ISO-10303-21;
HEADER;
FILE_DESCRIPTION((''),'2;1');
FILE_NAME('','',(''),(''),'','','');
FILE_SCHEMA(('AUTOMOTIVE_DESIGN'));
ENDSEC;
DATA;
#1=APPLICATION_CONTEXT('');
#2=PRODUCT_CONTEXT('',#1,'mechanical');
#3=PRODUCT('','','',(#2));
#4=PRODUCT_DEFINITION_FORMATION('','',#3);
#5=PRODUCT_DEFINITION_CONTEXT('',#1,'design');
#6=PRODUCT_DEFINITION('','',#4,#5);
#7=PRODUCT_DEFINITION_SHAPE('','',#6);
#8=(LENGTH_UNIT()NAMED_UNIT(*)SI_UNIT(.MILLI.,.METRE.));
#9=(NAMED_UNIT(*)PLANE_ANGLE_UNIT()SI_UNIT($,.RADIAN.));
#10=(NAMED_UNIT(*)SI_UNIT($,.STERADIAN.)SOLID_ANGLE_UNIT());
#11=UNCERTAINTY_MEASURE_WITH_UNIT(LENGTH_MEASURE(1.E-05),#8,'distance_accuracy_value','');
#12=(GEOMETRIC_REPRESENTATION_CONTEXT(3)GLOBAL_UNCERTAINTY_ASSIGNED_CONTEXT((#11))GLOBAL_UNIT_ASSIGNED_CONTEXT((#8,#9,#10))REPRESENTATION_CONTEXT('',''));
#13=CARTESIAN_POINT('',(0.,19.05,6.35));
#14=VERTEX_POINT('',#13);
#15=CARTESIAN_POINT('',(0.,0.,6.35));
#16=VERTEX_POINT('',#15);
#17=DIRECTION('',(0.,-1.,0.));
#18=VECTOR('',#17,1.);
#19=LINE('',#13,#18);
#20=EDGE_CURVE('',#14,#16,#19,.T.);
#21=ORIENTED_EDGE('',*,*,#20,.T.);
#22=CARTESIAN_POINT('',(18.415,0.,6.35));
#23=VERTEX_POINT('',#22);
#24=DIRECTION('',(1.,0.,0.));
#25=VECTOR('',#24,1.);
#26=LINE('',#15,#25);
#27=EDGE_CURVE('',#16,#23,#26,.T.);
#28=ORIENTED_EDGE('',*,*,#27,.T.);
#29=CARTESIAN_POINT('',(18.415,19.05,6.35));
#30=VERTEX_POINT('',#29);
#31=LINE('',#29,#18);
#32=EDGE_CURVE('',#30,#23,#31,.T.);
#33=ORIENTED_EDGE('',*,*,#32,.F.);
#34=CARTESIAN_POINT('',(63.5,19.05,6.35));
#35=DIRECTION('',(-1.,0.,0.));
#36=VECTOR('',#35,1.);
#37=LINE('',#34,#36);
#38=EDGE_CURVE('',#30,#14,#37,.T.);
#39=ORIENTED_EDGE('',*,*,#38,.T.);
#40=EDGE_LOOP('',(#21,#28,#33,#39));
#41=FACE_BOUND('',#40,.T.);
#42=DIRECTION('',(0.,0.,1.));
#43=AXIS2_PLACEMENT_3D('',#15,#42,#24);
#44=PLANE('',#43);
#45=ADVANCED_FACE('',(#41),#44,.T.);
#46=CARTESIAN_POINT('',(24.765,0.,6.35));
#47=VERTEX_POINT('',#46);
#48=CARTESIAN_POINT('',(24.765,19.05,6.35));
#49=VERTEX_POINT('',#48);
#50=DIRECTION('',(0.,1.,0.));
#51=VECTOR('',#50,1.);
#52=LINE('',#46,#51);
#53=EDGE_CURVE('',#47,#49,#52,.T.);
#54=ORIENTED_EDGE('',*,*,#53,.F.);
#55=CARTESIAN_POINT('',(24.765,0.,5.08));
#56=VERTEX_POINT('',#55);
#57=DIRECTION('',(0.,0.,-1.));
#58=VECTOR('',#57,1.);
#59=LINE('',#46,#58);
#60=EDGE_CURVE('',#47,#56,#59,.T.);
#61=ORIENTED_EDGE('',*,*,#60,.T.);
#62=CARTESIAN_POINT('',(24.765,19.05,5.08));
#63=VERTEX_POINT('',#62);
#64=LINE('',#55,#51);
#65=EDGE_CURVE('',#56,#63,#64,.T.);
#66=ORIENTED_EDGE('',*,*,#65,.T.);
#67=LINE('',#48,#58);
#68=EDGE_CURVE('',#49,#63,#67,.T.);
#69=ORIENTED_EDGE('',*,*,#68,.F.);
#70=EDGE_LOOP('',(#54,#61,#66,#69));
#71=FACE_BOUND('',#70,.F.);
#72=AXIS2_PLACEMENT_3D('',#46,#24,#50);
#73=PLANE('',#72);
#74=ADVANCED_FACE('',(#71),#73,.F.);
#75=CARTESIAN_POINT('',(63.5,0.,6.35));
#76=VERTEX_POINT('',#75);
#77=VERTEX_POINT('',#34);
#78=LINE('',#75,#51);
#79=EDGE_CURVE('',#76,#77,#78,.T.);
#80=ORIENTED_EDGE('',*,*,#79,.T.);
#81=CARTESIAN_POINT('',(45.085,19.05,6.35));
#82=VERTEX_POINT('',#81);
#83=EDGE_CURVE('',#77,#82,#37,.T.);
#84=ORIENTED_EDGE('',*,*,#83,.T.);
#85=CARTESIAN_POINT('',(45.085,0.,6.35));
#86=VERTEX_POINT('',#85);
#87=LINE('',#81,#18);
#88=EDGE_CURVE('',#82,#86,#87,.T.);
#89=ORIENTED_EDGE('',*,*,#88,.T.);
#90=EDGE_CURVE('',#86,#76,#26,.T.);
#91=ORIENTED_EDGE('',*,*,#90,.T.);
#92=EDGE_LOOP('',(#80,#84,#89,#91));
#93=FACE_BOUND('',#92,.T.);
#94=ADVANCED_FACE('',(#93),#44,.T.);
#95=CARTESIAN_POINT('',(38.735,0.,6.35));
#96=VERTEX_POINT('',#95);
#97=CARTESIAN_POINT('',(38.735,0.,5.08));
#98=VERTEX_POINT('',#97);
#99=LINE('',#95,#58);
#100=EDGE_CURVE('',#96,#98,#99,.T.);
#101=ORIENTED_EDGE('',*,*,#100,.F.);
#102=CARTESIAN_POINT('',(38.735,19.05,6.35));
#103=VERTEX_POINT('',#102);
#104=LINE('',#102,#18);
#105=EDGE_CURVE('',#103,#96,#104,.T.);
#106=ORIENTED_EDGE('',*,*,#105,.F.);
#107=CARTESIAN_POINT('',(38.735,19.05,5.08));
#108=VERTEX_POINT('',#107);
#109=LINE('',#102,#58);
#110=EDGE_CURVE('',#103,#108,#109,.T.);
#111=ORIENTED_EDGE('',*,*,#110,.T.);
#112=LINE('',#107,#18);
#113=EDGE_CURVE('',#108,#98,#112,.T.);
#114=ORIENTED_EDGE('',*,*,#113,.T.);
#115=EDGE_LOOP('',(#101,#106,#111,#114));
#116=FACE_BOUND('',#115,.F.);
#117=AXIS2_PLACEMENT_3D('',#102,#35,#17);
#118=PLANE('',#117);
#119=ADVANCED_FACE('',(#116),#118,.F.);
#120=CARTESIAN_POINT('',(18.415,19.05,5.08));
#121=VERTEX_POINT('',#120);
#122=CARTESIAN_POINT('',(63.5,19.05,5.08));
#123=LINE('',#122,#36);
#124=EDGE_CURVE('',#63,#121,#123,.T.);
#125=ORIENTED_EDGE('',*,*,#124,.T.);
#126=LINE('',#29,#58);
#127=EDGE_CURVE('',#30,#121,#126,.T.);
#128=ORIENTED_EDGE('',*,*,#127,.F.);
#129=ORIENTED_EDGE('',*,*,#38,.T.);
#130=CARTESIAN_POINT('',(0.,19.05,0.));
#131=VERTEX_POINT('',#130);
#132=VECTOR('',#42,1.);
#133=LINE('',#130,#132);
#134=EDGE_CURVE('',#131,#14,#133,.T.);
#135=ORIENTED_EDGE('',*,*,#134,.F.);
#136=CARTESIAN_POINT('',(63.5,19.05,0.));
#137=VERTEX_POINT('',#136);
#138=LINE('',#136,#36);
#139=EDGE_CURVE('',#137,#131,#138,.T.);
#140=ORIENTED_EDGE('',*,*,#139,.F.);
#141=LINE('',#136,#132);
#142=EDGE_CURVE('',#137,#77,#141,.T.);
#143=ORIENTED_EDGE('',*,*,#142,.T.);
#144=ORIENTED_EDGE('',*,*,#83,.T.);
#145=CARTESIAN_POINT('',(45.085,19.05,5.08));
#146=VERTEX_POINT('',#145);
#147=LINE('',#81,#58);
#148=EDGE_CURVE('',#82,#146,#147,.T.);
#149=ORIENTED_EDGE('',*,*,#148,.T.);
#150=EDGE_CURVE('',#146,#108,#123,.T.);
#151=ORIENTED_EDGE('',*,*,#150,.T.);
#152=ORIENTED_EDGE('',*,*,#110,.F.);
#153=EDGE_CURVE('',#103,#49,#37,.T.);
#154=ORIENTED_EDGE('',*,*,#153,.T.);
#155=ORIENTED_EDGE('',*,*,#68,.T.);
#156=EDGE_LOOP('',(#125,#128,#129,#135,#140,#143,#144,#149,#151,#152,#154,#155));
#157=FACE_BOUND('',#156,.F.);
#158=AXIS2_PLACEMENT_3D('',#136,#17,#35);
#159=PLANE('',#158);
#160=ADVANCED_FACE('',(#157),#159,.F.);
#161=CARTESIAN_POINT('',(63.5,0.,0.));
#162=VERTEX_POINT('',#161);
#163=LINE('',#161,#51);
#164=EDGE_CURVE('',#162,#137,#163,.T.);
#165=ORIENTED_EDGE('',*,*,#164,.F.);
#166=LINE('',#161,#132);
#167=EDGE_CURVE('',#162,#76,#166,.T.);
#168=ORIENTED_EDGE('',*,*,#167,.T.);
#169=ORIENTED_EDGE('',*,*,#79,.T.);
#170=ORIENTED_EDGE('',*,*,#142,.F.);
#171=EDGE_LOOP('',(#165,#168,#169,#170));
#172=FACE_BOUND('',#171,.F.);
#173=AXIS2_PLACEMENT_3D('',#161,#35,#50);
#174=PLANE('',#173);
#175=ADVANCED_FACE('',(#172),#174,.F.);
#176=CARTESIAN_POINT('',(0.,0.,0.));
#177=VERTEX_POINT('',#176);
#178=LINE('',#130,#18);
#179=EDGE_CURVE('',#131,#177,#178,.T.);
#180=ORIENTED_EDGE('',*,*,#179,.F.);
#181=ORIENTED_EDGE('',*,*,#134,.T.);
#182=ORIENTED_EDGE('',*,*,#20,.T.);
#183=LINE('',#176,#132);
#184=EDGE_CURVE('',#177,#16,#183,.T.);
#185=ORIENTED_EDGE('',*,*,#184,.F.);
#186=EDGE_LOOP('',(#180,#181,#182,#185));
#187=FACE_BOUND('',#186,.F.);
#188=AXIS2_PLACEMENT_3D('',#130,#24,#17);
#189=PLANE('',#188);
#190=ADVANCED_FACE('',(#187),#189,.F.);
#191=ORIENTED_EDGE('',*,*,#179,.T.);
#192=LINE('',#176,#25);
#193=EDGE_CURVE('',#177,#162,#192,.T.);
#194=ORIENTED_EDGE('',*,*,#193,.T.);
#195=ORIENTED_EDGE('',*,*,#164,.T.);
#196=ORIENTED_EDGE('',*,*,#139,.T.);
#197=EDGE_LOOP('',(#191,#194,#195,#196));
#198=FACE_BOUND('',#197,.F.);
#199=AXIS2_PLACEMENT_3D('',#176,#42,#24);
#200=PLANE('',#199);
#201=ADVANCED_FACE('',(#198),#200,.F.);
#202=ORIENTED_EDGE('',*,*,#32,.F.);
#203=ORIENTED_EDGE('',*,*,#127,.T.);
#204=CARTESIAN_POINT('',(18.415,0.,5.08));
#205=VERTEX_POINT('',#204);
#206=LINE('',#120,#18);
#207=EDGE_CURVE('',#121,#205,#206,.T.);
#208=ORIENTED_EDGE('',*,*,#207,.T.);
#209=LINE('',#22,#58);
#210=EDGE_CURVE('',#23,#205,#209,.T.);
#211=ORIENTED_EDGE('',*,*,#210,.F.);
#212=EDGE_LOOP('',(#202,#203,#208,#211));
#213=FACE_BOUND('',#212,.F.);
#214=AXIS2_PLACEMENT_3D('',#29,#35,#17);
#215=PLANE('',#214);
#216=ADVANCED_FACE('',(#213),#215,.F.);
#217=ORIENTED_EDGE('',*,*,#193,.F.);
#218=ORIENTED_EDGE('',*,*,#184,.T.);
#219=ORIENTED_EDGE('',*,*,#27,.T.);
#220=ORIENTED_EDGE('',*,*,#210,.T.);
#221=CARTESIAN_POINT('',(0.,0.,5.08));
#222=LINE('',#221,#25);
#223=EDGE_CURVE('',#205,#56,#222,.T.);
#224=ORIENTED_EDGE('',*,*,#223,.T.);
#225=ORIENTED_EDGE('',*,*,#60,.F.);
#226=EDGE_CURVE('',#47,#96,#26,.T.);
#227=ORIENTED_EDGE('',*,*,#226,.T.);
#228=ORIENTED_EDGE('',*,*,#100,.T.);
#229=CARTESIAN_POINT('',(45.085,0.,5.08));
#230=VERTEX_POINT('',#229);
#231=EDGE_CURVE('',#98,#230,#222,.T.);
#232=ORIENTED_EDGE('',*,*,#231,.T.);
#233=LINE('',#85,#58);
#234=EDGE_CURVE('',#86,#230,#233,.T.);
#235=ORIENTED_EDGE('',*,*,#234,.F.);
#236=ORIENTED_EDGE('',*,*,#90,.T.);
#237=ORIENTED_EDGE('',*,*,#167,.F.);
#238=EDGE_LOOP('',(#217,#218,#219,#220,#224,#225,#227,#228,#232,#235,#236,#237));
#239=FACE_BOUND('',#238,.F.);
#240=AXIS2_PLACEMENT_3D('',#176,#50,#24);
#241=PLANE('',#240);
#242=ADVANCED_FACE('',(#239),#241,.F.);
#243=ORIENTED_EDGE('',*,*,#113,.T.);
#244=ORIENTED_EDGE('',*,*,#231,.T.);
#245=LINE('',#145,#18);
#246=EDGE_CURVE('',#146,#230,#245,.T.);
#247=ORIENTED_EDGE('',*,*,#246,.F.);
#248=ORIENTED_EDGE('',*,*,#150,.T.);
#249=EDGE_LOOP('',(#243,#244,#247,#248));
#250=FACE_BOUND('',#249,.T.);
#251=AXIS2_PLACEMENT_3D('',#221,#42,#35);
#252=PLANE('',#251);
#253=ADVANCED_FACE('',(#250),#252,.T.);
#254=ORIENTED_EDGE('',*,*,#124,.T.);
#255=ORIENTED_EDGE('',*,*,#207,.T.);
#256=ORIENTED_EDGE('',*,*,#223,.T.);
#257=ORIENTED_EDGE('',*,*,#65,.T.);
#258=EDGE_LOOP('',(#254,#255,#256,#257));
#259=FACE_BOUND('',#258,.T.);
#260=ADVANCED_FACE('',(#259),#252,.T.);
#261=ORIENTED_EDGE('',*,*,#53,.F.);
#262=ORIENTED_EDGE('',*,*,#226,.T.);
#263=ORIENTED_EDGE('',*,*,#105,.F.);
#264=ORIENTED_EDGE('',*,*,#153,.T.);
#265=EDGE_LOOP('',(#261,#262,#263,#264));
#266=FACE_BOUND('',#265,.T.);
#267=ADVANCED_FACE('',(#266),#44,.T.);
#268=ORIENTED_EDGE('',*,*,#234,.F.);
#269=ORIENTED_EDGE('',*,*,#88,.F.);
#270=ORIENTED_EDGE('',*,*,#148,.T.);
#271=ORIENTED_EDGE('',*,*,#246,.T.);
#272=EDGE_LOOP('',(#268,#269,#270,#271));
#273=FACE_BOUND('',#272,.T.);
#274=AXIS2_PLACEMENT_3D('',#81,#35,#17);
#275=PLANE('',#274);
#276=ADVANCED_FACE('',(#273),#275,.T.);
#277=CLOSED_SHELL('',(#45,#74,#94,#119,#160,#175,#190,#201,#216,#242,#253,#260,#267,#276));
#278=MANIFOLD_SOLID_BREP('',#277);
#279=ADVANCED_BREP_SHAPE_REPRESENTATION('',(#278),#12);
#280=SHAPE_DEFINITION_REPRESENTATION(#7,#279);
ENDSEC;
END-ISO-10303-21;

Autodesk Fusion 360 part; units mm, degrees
sketch "Sketch1" plane through (0, 0, 0) normal (0, 0, 1) x (1, 0, 0)
  line L0 (0, 0) -> (63.5, 0)
  line L1 (63.5, 0) -> (63.5, 19.05)
  line L2 (63.5, 19.05) -> (0, 19.05)
  line L3 (0, 19.05) -> (0, 0)
  dimension "d1" = 63.5
  dimension "d2" = 19.05
extrude "Extrude1" add sketch "Sketch1" along normal blind 6.35
sketch "Sketch2" plane through (0, 0, 6.35) normal (0, 0, 1) x (-1, 0, 0)
  line L0 (0, -19.05) -> (0, 0)
  line L1 (0, 0) -> (-63.5, 0)
  line L2 (-63.5, 0) -> (-63.5, -19.05)
  line L3 (-63.5, -19.05) -> (0, -19.05)
  line L4 (0, 0) -> (0, -9.525)
  line L5 (0, -19.05) -> (-9.2075, -19.05)
  circle A0 centre (-9.2075, -9.4653) radius 4.0005
  line L6 (0, -19.05) -> (-18.415, -19.05)
  line L7 (-1.154, -19.05) -> (-2.7137, -19.7589)
  line L8 (0, -19.05) -> (-24.765, -19.05)
  line L9 (-24.765, -19.05) -> (-18.415, -19.05)
  line L10 (-18.415, -19.05) -> (-18.415, 0)
  line L11 (-18.415, 0) -> (-24.765, 0)
  line L12 (-24.765, 0) -> (-24.765, -19.05)
  line L13 (-24.765, -19.05) -> (-38.735, -19.05)
  line L14 (-63.5, -19.05) -> (-54.2925, -19.05)
  line L15 (-63.5, -19.05) -> (-45.085, -19.05)
  line L16 (-63.5, 0) -> (-63.5, -9.525)
  circle A1 centre (-54.2925, -9.6525) radius 4.0005
  line L17 (-38.735, -19.05) -> (-38.735, 0)
  line L18 (-45.085, -19.05) -> (-45.085, 0)
  line L19 (-45.085, -19.05) -> (-38.735, -19.05)
  line L20 (-38.735, -19.05) -> (-38.735, 0)
  line L21 (-38.735, 0) -> (-45.085, 0)
  line L22 (-45.085, 0) -> (-45.085, -19.05)
  dimension "d5" = 9.525
  dimension "d6" = 9.2075
  dimension "d7" = 8.001
  dimension "d8" = 18.415
  dimension "d9" = 24.765
  dimension "d10" = 6.35
  dimension "d11" = 19.05
  dimension "d12" = 13.97
  dimension "d13" = 9.2075
  dimension "d14" = 18.415
  dimension "d15" = 9.525
  dimension "d16" = 8.001
extrude "Extrude2" cut sketch "Sketch2" against normal blind 1.27 contours L1 L3 L8 L9 L10 L11 L12 | L1 L3 L17 L18 L19 L20 L21 L22
